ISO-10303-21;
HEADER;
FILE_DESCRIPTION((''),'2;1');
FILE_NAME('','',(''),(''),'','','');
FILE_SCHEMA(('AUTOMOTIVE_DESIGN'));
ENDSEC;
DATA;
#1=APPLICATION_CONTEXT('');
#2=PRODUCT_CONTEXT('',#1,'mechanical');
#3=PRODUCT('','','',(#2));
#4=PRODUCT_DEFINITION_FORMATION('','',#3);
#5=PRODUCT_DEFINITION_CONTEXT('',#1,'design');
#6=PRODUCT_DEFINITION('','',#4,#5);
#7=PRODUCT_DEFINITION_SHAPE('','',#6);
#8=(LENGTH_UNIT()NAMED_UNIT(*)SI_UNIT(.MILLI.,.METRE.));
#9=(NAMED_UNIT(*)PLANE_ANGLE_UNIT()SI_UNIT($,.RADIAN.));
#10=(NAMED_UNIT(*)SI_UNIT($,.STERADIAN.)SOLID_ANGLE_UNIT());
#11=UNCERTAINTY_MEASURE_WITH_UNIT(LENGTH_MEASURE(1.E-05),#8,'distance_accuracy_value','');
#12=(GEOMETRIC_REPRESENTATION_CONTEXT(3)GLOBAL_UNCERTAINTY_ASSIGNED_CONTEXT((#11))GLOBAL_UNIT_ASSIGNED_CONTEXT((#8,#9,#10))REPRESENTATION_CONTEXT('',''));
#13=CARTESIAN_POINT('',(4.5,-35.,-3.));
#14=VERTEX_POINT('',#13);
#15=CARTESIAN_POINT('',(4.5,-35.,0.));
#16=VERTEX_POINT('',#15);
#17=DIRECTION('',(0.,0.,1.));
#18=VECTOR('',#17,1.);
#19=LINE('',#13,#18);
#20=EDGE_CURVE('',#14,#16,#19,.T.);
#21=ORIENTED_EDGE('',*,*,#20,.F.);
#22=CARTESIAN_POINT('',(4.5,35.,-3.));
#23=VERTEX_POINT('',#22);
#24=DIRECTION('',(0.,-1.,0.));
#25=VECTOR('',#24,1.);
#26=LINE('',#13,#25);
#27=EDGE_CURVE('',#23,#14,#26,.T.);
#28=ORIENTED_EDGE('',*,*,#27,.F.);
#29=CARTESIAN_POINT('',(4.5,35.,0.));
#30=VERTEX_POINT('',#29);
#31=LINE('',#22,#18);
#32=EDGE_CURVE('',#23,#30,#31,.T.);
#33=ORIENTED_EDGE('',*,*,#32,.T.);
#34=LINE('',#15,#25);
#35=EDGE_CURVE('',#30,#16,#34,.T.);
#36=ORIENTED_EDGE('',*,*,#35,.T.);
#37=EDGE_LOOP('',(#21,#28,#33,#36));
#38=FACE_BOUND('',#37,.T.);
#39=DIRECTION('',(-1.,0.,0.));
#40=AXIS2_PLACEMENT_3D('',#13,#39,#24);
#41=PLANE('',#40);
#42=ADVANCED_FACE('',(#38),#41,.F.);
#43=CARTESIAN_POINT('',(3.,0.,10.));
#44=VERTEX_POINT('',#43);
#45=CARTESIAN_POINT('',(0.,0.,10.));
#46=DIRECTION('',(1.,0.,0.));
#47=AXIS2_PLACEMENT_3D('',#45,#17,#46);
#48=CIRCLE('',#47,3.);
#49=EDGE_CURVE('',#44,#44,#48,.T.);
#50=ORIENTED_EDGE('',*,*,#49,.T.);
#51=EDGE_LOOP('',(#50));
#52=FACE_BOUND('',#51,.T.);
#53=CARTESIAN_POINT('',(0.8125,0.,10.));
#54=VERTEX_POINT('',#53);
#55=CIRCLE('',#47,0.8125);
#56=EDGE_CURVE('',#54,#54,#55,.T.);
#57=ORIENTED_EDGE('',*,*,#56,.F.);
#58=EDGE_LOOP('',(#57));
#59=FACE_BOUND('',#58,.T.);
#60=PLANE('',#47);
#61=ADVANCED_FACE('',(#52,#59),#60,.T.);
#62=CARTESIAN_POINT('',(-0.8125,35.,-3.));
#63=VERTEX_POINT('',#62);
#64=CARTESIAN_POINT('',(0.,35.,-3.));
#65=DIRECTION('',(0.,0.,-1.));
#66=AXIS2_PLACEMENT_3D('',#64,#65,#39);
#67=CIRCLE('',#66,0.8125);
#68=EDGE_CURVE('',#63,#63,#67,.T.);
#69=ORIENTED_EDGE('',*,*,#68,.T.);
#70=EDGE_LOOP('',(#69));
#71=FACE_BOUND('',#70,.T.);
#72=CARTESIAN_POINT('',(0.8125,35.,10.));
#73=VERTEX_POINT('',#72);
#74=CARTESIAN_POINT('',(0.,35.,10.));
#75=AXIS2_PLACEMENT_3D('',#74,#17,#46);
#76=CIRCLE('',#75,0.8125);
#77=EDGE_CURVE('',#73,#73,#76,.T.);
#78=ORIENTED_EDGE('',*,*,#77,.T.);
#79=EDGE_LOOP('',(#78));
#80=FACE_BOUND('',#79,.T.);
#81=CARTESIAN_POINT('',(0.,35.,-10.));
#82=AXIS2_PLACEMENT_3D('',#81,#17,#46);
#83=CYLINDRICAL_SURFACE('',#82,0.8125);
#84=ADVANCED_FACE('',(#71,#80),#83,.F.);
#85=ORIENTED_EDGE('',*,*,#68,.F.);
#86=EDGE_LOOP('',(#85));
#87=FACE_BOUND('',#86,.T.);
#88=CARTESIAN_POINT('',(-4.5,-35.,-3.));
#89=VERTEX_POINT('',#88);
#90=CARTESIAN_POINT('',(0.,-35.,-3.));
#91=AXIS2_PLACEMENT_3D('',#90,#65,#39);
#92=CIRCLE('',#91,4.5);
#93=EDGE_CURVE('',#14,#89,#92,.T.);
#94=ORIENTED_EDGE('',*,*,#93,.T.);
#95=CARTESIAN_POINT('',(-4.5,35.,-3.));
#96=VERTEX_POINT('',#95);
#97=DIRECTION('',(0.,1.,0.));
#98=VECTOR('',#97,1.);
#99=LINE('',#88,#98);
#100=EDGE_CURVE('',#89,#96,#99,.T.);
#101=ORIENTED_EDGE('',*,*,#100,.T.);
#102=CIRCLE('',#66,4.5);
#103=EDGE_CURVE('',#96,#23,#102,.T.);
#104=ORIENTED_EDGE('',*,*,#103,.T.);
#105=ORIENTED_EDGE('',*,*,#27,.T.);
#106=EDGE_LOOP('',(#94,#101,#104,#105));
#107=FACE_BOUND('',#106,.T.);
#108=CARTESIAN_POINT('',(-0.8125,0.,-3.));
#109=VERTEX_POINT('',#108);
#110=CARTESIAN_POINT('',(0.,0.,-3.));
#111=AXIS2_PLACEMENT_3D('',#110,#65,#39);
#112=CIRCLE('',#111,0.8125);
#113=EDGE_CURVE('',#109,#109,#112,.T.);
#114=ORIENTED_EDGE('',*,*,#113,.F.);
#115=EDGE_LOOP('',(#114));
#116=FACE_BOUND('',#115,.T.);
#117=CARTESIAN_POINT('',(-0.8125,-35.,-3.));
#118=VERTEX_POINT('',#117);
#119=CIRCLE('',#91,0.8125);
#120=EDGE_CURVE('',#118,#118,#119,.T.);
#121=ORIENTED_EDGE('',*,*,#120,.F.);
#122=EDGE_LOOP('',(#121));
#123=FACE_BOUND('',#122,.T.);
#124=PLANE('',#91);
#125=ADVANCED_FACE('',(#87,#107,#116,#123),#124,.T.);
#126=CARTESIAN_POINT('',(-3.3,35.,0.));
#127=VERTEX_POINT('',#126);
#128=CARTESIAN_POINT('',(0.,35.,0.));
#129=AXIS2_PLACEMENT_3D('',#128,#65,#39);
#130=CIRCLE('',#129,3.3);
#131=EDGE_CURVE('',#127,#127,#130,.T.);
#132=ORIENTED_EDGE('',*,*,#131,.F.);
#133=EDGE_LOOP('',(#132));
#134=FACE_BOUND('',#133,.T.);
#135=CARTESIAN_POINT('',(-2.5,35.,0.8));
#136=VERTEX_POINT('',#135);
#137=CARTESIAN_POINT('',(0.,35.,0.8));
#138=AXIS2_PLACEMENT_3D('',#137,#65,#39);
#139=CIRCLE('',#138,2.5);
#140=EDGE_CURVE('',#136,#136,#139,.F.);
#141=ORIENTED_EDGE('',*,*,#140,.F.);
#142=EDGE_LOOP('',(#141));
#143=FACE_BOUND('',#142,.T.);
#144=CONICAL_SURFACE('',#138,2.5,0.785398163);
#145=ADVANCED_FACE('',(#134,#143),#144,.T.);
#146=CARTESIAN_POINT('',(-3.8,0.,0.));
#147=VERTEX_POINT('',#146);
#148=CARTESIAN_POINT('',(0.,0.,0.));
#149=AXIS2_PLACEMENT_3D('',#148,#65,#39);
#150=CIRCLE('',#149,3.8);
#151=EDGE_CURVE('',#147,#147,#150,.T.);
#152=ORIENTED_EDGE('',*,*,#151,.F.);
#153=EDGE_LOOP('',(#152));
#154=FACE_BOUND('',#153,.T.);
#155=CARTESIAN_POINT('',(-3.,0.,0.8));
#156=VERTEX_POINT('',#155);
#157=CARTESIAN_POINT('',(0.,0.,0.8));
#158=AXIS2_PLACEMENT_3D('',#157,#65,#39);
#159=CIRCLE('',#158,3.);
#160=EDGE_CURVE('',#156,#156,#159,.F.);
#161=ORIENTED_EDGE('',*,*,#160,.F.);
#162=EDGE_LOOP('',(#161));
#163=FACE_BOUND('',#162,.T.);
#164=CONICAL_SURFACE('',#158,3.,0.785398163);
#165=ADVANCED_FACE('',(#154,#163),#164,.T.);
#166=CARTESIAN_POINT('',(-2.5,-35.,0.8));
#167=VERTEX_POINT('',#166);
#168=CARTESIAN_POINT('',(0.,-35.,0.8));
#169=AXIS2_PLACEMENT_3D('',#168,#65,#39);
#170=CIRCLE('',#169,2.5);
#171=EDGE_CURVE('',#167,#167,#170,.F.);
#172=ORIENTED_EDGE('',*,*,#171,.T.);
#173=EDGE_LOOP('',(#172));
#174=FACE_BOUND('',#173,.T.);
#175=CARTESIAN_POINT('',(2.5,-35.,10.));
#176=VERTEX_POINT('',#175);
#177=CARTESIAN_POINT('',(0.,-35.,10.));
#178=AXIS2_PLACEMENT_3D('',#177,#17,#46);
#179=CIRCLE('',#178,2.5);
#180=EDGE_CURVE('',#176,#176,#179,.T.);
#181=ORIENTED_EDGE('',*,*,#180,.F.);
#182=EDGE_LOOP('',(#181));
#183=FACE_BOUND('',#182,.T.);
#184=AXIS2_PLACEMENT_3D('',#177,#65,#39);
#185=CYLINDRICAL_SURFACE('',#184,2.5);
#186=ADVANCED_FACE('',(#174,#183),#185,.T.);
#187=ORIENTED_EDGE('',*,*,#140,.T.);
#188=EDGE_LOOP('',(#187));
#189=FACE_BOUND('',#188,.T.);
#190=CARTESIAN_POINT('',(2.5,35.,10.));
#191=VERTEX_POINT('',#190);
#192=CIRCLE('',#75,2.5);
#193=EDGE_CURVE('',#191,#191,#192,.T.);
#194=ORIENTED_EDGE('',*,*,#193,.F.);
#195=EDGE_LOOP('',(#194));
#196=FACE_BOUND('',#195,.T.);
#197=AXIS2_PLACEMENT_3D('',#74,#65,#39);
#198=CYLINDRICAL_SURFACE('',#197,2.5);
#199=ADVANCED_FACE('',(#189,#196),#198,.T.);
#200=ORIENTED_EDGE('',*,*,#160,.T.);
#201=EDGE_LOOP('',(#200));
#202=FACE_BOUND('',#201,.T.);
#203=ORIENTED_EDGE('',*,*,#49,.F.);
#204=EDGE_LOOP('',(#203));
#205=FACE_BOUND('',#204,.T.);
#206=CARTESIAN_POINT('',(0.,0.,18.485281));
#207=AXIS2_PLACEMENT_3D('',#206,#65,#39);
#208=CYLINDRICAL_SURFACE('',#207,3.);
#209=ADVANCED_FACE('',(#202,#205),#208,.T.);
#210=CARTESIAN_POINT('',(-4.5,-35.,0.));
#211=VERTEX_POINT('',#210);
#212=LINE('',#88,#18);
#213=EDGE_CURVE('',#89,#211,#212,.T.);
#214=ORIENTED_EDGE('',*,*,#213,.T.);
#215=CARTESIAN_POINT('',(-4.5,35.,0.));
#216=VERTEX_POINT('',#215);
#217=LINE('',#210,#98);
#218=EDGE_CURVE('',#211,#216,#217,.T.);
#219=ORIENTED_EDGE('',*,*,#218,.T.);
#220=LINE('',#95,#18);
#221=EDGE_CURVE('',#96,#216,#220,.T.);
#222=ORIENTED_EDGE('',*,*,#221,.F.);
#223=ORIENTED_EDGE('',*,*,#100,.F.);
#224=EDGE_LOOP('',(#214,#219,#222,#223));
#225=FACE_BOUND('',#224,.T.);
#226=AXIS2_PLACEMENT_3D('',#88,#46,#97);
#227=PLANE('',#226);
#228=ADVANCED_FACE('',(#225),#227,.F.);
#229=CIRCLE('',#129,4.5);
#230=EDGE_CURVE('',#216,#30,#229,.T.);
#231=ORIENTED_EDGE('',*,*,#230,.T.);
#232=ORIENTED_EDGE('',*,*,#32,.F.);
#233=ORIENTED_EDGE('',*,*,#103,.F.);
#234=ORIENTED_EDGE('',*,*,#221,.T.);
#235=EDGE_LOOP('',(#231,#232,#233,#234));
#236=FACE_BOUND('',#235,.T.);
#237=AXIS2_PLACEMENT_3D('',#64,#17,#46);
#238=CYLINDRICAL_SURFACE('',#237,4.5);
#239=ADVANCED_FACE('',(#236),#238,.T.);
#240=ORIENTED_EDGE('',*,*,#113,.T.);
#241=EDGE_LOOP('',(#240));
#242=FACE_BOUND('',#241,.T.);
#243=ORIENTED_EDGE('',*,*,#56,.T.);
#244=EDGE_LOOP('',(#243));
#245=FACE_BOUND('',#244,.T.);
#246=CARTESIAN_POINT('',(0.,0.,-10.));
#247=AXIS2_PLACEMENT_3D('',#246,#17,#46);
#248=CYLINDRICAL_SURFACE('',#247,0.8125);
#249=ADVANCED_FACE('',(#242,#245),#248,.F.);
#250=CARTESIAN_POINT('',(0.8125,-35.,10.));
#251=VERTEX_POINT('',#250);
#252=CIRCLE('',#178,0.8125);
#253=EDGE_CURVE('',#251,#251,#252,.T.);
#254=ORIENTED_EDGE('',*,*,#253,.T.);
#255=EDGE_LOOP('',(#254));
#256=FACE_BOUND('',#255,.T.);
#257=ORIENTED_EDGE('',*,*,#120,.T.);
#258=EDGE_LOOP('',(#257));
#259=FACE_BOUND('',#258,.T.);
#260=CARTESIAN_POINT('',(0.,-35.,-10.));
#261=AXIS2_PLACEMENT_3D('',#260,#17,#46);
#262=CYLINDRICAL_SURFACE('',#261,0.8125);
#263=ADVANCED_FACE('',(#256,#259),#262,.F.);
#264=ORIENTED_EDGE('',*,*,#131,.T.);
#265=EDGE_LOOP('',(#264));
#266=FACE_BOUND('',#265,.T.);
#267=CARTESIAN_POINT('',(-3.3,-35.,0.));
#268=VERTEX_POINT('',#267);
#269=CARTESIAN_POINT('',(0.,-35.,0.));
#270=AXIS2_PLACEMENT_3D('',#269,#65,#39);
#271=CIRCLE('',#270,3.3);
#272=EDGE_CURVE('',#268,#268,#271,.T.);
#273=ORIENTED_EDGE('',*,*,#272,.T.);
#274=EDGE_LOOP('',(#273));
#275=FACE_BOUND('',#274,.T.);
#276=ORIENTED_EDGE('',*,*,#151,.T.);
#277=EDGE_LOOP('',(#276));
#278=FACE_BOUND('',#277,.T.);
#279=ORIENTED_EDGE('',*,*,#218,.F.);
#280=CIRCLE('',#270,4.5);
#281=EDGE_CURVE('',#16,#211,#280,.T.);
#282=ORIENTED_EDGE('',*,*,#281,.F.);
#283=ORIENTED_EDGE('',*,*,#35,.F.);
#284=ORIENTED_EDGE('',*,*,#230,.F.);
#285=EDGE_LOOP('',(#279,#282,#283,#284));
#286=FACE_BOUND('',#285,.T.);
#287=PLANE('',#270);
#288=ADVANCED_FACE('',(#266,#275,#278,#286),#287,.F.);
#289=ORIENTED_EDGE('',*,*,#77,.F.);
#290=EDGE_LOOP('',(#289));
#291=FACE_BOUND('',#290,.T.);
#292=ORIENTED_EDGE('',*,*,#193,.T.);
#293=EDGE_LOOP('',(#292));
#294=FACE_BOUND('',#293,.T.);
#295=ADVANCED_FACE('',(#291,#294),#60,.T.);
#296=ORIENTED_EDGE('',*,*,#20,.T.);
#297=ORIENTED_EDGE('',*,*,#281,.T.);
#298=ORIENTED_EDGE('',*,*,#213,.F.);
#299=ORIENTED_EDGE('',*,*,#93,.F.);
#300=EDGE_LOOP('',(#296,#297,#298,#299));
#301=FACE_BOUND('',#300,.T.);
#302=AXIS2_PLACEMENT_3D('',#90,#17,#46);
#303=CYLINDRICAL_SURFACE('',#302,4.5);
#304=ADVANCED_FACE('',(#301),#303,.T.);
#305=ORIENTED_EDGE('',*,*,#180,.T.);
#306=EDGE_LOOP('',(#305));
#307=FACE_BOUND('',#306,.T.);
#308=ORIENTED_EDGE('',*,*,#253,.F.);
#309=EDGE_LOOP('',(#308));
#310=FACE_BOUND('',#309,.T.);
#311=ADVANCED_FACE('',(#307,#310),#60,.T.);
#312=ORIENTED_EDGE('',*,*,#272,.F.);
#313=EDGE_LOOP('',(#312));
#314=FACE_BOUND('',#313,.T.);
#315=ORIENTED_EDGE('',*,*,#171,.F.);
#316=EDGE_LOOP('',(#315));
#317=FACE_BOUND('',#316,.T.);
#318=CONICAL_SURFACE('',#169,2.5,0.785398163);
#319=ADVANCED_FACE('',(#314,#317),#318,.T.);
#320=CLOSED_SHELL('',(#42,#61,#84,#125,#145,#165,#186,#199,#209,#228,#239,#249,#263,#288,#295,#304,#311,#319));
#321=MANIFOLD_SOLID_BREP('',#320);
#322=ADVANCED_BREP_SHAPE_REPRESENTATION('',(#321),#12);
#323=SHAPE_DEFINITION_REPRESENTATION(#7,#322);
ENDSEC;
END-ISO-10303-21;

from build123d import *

# Parameters (mm, degrees)
SKETCH1_R             = 2.5
BOSS_EXTRUDE1_DEPTH   = 10
BOSS_EXTRUDE1_2_DEPTH = 10
BOSS_EXTRUDE2_DEPTH   = 3
SKETCH3_R             = 0.8125
CUT_EXTRUDE1_DEPTH    = 20
CHAMFER1_SIZE         = 0.8
SKETCH4_R             = 3
BOSS_EXTRUDE3_DEPTH   = 10
CHAMFER2_SIZE         = 0.8
SKETCH5_R             = 0.8125
CUT_EXTRUDE2_DEPTH    = 20


with BuildPart() as part:
    # Sketch1 → Boss-Extrude1 (new body)
    with BuildSketch(Plane(origin=(0, 0, 0), x_dir=(0, 1, 0), z_dir=(0, 0, 1))):
        with Locations((-35, 0)):
            Circle(SKETCH1_R)
    extrude(amount=BOSS_EXTRUDE1_DEPTH)



with BuildPart() as body_2:
    # Sketch1 → Boss-Extrude1 2 (new body)
    with BuildSketch(Plane(origin=(0, 0, 0), x_dir=(0, 1, 0), z_dir=(0, 0, 1))):
        with Locations((35, 0)):
            Circle(SKETCH1_R)
    extrude(amount=BOSS_EXTRUDE1_2_DEPTH)


with BuildPart() as part_1:
    add(part.part)

    add(body_2.part)  # Boss-Extrude2 merges body 2
    # Sketch2 → Boss-Extrude2 (add)
    with BuildSketch(Plane(origin=(0, 0, 0), x_dir=(1, 0, 0), z_dir=(0, 0, -1))):
        with BuildLine():
            Line((4.5, 35), (4.5, -35))
            ThreePointArc((4.5, -35), (0, -39.5), (-4.5, -35))
            Line((-4.5, -35), (-4.5, 35))
            ThreePointArc((-4.5, 35), (0, 39.5), (4.5, 35))
        make_face()
    extrude(amount=BOSS_EXTRUDE2_DEPTH)

    # Sketch3 → Cut-Extrude1 (cut)
    with BuildSketch(Plane.XY.offset(10)):
        with Locations((0, -35)):
            Circle(SKETCH3_R)
        with Locations((0, 35)):
            Circle(SKETCH3_R)
    extrude(amount=-CUT_EXTRUDE1_DEPTH, mode=Mode.SUBTRACT)

    # Chamfer1
    chamfer1_edges = [part_1.edges().sort_by_distance(p)[0] for p in [
        (0, 32.5, 0),
        (0, -37.5, 0),
    ]]
    chamfer(chamfer1_edges, length=CHAMFER1_SIZE)

    # Sketch4 → Boss-Extrude3 (add)
    with BuildSketch(Plane.XY):
        with Locations(Location((0, 0, 0), (0, 0, 180))):
            Circle(SKETCH4_R)
    extrude(amount=BOSS_EXTRUDE3_DEPTH)

    # Chamfer2
    chamfer2_edges = [part_1.edges().sort_by_distance(p)[0] for p in [
        (3, 0, 0),
    ]]
    chamfer(chamfer2_edges, length=CHAMFER2_SIZE)

    # Sketch5 → Cut-Extrude2 (cut)
    with BuildSketch(Plane.XY.offset(10)):
        Circle(SKETCH5_R)
    extrude(amount=-CUT_EXTRUDE2_DEPTH, mode=Mode.SUBTRACT)


solid = part_1.part
